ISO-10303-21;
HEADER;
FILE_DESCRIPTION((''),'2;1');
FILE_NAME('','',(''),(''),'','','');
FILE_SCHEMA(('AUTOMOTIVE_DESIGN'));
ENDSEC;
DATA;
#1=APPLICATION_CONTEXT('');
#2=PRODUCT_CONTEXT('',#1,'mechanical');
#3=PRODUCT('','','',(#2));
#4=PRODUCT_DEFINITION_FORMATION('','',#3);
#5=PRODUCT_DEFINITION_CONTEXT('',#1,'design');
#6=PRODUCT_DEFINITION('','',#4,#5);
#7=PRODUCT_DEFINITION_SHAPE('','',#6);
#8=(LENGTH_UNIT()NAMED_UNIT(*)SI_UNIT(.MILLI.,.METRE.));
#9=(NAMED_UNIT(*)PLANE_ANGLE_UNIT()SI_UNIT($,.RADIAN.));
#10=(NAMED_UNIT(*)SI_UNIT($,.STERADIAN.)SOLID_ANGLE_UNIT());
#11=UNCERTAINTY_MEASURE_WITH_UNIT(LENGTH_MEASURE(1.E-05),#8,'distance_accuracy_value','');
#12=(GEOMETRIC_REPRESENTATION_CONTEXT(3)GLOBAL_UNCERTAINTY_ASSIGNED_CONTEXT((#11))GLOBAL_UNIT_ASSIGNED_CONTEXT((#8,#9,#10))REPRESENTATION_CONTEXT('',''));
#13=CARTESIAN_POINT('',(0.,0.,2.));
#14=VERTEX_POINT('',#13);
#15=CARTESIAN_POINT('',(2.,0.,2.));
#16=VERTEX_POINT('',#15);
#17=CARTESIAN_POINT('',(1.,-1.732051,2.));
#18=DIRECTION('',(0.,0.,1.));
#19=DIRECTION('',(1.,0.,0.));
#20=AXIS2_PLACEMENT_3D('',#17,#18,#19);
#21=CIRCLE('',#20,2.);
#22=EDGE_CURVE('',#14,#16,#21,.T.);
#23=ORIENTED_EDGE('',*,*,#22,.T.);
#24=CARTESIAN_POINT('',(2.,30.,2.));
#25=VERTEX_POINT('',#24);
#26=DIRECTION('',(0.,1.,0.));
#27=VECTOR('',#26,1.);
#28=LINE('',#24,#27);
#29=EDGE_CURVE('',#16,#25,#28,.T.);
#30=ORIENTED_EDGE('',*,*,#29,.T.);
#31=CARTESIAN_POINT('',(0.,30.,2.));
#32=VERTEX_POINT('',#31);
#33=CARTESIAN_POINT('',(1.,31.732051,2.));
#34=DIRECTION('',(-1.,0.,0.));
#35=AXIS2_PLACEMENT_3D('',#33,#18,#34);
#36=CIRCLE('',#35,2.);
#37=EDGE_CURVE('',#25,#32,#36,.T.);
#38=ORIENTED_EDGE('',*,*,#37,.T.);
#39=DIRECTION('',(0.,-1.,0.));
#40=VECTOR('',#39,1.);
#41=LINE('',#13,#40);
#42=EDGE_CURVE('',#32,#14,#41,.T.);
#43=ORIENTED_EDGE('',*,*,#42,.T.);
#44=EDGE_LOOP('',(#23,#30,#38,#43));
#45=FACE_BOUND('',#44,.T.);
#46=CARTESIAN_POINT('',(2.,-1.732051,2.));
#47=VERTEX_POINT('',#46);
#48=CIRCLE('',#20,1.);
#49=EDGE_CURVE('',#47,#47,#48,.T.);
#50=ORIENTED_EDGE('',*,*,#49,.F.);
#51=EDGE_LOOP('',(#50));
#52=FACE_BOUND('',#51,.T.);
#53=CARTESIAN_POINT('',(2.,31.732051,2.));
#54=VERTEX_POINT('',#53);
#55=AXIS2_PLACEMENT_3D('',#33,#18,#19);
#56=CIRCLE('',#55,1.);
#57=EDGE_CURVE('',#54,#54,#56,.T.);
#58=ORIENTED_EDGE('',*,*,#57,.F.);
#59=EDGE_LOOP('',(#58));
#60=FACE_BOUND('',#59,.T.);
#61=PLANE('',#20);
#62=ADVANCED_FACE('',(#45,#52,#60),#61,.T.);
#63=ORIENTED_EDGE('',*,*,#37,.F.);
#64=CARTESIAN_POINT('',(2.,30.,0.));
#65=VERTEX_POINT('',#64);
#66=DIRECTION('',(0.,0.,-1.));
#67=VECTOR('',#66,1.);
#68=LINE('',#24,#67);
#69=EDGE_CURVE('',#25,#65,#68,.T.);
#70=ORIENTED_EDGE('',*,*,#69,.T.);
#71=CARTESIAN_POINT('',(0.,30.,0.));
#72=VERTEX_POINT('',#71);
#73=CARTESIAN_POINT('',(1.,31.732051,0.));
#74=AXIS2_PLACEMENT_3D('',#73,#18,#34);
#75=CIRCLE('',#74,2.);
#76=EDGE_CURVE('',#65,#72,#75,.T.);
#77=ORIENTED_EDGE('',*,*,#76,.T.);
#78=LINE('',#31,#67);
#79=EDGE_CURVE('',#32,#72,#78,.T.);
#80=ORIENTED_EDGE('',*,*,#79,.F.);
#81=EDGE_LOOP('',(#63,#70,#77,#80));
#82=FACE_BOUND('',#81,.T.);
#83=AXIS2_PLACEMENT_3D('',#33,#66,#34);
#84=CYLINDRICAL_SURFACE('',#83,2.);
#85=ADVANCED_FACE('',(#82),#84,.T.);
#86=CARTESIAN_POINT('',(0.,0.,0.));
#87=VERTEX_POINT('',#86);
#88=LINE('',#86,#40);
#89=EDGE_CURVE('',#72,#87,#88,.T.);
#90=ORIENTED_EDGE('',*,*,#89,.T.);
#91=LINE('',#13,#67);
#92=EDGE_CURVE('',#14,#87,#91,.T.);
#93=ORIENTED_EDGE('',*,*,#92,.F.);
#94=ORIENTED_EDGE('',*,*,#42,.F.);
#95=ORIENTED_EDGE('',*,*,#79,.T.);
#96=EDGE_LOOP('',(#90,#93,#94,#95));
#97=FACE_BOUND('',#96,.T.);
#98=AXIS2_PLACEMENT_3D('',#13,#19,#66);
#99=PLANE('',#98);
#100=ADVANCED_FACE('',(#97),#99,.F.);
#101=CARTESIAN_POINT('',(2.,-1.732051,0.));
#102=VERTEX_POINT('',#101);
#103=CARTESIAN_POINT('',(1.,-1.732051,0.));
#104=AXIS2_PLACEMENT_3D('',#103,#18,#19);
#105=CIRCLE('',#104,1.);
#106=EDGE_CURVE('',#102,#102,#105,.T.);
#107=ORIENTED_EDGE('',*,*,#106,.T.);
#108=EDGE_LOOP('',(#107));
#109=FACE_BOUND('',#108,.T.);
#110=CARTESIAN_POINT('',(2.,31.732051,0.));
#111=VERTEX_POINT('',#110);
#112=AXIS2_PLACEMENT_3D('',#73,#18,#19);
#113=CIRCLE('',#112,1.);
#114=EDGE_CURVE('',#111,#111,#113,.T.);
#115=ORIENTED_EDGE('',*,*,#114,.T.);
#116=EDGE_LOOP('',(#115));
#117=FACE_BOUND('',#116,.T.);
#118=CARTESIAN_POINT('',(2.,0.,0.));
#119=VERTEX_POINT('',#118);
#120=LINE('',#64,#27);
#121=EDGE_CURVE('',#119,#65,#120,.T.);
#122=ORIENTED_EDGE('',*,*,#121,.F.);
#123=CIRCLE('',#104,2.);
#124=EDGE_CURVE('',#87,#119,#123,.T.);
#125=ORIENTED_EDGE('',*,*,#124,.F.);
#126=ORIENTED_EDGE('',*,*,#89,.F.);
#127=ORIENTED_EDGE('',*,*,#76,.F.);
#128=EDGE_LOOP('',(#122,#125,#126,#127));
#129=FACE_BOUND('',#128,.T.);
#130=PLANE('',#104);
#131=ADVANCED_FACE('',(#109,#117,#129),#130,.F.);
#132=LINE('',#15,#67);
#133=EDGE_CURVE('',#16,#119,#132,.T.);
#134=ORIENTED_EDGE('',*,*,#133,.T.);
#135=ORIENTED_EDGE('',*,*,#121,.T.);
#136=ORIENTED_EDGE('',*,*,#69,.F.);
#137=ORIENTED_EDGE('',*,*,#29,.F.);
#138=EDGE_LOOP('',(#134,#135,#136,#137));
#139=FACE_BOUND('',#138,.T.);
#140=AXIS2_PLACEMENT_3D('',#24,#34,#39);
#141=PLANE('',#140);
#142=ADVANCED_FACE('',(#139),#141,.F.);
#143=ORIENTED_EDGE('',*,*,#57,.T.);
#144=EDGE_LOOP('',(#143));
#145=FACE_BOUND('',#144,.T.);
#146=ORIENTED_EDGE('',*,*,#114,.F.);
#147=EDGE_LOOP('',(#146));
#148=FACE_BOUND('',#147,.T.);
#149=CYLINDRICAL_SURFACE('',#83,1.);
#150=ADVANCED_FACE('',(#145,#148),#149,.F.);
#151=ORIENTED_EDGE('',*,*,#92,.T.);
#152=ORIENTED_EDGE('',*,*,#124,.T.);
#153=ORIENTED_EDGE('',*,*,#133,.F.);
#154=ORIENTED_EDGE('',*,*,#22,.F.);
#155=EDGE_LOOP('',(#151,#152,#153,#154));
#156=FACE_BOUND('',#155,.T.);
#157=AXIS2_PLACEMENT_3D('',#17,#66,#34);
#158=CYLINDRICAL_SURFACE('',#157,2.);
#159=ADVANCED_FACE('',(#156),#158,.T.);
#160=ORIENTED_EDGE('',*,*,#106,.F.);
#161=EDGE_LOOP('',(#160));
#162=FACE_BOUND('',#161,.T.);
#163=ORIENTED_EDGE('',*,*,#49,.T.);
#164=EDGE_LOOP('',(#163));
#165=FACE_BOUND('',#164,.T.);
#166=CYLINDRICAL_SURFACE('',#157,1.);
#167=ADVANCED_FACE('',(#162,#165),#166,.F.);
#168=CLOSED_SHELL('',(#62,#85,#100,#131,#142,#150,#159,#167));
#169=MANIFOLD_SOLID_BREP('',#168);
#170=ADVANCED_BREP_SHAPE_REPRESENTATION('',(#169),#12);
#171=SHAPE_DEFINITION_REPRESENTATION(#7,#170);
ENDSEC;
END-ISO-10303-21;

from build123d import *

# Parameters (mm, degrees)
SKETCH1_R           = 1
BOSS_EXTRUDE1_DEPTH = 2


with BuildPart() as part:
    # Sketch1 → Boss-Extrude1 (new body)
    with BuildSketch(Plane.XY):
        with BuildLine():
            Line((0, 0), (0, 30))
            ThreePointArc((0, 30), (1, 33.732050808), (2, 30))
            Line((2, 30), (2, 0))
            ThreePointArc((2, 0), (1, -3.732050808), (0, 0))
        make_face()
        with Locations((1, 31.732050808)):
            Circle(SKETCH1_R, mode=Mode.SUBTRACT)
        with Locations((1, -1.732050808)):
            Circle(SKETCH1_R, mode=Mode.SUBTRACT)
    extrude(amount=BOSS_EXTRUDE1_DEPTH)


solid = part.part
